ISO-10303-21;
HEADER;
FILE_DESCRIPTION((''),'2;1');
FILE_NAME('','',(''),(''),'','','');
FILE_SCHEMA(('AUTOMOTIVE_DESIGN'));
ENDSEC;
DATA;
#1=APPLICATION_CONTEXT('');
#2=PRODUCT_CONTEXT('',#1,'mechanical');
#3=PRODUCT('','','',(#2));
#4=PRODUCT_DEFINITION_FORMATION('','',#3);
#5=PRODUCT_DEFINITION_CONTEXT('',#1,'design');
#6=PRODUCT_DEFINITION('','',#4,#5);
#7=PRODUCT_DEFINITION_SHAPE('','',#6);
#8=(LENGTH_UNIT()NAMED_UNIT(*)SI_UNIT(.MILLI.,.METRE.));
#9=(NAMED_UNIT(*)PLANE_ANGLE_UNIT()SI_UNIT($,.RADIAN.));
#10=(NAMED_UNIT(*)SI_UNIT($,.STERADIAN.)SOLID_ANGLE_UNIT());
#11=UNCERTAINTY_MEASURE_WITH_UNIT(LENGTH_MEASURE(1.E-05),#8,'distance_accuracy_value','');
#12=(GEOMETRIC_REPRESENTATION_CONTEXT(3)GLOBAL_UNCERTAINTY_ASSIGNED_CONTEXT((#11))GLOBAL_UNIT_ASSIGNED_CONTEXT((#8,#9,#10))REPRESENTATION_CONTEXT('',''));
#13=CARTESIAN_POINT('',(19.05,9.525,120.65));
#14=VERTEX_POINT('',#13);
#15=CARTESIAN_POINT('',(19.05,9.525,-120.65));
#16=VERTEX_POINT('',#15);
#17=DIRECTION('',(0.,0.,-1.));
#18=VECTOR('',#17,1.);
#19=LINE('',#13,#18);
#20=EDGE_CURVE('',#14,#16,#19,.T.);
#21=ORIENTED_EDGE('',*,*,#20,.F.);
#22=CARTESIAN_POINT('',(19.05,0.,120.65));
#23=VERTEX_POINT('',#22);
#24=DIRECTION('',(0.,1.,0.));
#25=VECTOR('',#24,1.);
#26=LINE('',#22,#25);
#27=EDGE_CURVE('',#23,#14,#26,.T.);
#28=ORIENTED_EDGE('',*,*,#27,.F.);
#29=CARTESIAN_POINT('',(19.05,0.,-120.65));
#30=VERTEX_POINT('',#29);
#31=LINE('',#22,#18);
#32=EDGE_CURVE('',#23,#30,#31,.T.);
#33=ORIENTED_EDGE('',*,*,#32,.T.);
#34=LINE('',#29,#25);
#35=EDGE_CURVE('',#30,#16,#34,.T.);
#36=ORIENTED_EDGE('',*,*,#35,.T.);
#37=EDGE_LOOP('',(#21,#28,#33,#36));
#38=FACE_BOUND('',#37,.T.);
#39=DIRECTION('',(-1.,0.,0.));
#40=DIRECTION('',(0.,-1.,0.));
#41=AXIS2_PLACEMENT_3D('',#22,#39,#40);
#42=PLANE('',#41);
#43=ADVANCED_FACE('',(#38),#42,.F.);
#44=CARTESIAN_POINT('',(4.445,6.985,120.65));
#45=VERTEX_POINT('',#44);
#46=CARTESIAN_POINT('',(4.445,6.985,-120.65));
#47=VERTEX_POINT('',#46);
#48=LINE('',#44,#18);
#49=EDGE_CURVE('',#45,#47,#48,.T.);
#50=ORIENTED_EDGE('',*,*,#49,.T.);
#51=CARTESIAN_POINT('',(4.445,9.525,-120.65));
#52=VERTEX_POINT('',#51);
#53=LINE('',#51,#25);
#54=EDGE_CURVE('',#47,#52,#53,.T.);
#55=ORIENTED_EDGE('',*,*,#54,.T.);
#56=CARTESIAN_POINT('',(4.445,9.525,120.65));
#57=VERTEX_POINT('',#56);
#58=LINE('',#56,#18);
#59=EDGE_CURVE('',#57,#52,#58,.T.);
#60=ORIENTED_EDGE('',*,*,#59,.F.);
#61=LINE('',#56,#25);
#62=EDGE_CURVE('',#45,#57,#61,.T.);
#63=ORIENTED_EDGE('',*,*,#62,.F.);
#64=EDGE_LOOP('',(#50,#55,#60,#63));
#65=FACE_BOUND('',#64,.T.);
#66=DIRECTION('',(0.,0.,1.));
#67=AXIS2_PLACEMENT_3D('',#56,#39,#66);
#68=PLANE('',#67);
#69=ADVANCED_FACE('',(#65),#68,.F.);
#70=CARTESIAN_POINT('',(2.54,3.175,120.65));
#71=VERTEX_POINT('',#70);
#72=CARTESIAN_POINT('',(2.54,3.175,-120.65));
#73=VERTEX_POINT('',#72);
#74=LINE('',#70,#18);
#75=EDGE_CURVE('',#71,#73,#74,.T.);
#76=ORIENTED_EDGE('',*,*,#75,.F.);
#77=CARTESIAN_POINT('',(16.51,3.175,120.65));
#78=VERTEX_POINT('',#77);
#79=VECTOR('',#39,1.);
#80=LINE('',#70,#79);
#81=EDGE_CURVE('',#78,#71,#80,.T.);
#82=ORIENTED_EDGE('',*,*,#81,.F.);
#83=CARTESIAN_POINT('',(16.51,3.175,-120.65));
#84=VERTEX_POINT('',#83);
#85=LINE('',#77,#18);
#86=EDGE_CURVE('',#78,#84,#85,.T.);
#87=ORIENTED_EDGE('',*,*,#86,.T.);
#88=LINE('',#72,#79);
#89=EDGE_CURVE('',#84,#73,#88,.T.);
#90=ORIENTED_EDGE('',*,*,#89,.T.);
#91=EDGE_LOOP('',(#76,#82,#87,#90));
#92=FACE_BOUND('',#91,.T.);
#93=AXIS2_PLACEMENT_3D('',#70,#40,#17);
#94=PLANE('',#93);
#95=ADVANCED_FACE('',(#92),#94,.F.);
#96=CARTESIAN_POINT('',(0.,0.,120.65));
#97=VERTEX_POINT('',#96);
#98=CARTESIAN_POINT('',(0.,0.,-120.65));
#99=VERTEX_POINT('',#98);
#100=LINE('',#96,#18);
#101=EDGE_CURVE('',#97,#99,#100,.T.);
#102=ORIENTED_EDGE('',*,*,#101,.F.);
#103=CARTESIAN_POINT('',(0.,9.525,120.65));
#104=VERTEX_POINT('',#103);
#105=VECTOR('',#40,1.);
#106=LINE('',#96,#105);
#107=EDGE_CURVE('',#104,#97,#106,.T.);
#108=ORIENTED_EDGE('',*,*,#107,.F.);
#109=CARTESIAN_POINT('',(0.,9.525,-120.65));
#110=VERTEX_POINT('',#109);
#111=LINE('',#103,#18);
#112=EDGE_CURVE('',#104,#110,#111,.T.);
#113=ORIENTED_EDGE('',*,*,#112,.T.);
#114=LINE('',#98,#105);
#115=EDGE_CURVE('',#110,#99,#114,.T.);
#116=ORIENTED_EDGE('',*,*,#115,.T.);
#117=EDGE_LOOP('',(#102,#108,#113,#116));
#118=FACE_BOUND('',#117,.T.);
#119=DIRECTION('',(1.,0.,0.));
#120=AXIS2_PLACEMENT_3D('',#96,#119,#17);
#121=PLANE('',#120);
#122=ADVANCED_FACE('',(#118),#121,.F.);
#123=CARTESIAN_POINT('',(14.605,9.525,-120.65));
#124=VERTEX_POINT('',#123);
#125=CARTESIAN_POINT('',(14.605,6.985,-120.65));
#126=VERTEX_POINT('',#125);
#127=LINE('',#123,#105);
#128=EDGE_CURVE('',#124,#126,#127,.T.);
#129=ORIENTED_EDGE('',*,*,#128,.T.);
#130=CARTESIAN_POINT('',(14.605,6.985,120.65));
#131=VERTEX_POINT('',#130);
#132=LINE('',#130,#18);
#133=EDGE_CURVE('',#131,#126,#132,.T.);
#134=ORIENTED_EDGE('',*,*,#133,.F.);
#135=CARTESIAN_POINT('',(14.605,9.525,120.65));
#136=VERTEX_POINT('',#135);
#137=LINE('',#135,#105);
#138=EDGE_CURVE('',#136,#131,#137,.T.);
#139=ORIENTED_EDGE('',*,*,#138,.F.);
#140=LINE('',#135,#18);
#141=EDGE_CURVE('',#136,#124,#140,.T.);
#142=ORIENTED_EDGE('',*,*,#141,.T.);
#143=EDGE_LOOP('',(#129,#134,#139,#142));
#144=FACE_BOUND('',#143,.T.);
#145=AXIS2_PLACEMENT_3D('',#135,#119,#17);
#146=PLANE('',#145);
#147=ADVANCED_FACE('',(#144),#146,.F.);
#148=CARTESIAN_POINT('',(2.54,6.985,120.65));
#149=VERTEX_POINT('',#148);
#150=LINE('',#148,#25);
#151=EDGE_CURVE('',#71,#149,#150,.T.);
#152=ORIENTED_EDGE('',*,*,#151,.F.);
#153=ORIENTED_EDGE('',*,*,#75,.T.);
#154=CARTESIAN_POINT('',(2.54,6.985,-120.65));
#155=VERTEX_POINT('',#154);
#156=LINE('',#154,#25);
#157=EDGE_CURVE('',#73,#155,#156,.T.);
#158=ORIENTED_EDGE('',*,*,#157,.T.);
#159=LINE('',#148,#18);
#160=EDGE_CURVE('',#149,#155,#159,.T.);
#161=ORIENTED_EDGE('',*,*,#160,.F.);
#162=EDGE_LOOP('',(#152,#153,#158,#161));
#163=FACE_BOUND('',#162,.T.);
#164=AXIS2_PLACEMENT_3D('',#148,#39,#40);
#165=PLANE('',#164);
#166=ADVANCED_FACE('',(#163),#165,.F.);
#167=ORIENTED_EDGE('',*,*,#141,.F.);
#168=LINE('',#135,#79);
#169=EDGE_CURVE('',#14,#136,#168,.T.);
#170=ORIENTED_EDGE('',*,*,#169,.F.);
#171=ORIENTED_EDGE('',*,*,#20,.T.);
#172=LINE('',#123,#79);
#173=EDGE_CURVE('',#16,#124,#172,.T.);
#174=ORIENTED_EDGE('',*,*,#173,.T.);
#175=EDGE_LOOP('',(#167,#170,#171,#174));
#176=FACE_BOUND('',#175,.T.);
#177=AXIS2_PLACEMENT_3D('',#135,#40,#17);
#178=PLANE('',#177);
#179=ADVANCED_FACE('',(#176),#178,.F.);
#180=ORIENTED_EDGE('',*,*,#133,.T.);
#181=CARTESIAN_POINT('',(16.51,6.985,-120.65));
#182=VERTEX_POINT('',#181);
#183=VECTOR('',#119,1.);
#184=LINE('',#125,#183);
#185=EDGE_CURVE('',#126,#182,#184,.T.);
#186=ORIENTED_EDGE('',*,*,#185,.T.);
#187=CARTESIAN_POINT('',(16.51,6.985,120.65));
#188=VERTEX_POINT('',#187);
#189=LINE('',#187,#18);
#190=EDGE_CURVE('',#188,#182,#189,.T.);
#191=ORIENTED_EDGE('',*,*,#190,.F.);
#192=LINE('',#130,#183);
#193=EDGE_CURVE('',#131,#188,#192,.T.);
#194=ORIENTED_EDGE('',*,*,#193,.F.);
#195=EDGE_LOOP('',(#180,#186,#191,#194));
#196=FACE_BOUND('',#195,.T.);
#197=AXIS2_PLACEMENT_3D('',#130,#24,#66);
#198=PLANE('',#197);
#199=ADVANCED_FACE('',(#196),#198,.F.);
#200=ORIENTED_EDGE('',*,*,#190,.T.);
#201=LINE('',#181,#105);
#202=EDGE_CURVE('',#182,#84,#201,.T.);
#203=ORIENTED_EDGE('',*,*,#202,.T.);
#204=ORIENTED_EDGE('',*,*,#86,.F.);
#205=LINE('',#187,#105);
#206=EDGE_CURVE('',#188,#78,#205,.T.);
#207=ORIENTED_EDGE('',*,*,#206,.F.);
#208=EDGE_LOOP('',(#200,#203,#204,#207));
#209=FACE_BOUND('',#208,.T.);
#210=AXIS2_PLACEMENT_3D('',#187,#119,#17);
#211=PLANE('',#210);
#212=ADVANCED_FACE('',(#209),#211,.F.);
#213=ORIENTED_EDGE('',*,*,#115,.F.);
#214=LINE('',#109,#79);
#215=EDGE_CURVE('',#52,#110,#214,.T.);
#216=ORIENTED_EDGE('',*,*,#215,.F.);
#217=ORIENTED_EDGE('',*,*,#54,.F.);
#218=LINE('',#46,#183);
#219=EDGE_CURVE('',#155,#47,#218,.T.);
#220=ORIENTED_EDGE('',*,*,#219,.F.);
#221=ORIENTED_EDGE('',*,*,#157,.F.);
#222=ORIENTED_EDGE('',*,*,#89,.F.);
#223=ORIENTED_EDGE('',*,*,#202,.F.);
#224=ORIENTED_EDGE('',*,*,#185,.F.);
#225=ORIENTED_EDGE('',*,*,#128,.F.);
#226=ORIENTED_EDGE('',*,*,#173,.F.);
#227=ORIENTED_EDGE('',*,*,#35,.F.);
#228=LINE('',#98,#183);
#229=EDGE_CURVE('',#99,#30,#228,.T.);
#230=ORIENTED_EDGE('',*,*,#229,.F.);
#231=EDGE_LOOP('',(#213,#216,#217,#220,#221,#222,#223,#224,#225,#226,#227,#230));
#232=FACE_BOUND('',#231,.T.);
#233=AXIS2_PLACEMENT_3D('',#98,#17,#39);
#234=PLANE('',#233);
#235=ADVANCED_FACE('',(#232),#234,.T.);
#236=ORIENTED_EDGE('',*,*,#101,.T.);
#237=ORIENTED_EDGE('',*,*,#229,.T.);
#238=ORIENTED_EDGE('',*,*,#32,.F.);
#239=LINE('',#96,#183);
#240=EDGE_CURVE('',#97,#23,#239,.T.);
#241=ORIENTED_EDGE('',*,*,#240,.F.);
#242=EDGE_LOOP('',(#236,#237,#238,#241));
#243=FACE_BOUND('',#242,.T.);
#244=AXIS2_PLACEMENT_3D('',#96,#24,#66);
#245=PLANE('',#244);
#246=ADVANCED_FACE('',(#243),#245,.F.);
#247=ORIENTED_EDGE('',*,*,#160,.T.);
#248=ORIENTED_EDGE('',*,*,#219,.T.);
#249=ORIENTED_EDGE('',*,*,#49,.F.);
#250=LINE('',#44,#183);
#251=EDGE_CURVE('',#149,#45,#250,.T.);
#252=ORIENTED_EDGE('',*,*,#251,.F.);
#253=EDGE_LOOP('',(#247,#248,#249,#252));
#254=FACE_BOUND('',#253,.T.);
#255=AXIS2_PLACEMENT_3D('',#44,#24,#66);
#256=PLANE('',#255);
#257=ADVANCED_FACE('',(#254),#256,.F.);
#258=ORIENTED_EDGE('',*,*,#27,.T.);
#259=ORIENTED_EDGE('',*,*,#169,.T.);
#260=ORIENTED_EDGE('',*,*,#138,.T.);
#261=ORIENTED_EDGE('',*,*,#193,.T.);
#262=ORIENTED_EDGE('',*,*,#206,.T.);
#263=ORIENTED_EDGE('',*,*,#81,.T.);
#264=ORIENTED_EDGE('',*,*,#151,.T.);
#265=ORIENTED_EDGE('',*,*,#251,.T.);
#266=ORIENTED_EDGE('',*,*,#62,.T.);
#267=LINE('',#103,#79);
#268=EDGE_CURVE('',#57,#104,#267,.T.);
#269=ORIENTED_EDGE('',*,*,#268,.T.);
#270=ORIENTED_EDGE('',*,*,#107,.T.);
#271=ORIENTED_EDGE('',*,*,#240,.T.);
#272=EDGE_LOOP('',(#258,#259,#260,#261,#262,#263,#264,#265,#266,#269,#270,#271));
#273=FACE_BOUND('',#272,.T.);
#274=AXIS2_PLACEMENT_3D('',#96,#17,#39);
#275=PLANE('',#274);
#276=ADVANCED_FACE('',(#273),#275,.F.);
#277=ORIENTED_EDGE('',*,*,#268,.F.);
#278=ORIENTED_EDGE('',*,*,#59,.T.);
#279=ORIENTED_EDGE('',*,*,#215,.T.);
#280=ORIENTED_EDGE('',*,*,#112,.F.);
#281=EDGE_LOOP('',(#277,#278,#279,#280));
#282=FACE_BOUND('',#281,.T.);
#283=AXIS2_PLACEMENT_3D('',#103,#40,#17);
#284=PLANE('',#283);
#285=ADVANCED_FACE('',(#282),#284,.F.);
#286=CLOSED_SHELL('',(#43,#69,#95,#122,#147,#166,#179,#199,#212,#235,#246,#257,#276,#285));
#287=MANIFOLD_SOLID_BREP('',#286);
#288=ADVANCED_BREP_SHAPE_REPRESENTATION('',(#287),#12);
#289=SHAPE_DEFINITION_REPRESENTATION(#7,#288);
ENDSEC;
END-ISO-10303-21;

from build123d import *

# Parameters (mm, degrees)
BOSS_EXTRUDE1_DEPTH = 120.65


with BuildPart() as part:
    # Sketch2 → Boss-Extrude1 (new, symmetric)
    with BuildSketch(Plane.XY):
        Polygon((4.445, 9.525), (4.445, 6.985), (2.54, 6.985), (2.54, 3.175), (16.51, 3.175), (16.51, 6.985), (14.605, 6.985), (14.605, 9.525), (19.05, 9.525), (19.05, 0), (0, 0), (0, 9.525), align=None)
    extrude(amount=BOSS_EXTRUDE1_DEPTH, both=True)


solid = part.part
